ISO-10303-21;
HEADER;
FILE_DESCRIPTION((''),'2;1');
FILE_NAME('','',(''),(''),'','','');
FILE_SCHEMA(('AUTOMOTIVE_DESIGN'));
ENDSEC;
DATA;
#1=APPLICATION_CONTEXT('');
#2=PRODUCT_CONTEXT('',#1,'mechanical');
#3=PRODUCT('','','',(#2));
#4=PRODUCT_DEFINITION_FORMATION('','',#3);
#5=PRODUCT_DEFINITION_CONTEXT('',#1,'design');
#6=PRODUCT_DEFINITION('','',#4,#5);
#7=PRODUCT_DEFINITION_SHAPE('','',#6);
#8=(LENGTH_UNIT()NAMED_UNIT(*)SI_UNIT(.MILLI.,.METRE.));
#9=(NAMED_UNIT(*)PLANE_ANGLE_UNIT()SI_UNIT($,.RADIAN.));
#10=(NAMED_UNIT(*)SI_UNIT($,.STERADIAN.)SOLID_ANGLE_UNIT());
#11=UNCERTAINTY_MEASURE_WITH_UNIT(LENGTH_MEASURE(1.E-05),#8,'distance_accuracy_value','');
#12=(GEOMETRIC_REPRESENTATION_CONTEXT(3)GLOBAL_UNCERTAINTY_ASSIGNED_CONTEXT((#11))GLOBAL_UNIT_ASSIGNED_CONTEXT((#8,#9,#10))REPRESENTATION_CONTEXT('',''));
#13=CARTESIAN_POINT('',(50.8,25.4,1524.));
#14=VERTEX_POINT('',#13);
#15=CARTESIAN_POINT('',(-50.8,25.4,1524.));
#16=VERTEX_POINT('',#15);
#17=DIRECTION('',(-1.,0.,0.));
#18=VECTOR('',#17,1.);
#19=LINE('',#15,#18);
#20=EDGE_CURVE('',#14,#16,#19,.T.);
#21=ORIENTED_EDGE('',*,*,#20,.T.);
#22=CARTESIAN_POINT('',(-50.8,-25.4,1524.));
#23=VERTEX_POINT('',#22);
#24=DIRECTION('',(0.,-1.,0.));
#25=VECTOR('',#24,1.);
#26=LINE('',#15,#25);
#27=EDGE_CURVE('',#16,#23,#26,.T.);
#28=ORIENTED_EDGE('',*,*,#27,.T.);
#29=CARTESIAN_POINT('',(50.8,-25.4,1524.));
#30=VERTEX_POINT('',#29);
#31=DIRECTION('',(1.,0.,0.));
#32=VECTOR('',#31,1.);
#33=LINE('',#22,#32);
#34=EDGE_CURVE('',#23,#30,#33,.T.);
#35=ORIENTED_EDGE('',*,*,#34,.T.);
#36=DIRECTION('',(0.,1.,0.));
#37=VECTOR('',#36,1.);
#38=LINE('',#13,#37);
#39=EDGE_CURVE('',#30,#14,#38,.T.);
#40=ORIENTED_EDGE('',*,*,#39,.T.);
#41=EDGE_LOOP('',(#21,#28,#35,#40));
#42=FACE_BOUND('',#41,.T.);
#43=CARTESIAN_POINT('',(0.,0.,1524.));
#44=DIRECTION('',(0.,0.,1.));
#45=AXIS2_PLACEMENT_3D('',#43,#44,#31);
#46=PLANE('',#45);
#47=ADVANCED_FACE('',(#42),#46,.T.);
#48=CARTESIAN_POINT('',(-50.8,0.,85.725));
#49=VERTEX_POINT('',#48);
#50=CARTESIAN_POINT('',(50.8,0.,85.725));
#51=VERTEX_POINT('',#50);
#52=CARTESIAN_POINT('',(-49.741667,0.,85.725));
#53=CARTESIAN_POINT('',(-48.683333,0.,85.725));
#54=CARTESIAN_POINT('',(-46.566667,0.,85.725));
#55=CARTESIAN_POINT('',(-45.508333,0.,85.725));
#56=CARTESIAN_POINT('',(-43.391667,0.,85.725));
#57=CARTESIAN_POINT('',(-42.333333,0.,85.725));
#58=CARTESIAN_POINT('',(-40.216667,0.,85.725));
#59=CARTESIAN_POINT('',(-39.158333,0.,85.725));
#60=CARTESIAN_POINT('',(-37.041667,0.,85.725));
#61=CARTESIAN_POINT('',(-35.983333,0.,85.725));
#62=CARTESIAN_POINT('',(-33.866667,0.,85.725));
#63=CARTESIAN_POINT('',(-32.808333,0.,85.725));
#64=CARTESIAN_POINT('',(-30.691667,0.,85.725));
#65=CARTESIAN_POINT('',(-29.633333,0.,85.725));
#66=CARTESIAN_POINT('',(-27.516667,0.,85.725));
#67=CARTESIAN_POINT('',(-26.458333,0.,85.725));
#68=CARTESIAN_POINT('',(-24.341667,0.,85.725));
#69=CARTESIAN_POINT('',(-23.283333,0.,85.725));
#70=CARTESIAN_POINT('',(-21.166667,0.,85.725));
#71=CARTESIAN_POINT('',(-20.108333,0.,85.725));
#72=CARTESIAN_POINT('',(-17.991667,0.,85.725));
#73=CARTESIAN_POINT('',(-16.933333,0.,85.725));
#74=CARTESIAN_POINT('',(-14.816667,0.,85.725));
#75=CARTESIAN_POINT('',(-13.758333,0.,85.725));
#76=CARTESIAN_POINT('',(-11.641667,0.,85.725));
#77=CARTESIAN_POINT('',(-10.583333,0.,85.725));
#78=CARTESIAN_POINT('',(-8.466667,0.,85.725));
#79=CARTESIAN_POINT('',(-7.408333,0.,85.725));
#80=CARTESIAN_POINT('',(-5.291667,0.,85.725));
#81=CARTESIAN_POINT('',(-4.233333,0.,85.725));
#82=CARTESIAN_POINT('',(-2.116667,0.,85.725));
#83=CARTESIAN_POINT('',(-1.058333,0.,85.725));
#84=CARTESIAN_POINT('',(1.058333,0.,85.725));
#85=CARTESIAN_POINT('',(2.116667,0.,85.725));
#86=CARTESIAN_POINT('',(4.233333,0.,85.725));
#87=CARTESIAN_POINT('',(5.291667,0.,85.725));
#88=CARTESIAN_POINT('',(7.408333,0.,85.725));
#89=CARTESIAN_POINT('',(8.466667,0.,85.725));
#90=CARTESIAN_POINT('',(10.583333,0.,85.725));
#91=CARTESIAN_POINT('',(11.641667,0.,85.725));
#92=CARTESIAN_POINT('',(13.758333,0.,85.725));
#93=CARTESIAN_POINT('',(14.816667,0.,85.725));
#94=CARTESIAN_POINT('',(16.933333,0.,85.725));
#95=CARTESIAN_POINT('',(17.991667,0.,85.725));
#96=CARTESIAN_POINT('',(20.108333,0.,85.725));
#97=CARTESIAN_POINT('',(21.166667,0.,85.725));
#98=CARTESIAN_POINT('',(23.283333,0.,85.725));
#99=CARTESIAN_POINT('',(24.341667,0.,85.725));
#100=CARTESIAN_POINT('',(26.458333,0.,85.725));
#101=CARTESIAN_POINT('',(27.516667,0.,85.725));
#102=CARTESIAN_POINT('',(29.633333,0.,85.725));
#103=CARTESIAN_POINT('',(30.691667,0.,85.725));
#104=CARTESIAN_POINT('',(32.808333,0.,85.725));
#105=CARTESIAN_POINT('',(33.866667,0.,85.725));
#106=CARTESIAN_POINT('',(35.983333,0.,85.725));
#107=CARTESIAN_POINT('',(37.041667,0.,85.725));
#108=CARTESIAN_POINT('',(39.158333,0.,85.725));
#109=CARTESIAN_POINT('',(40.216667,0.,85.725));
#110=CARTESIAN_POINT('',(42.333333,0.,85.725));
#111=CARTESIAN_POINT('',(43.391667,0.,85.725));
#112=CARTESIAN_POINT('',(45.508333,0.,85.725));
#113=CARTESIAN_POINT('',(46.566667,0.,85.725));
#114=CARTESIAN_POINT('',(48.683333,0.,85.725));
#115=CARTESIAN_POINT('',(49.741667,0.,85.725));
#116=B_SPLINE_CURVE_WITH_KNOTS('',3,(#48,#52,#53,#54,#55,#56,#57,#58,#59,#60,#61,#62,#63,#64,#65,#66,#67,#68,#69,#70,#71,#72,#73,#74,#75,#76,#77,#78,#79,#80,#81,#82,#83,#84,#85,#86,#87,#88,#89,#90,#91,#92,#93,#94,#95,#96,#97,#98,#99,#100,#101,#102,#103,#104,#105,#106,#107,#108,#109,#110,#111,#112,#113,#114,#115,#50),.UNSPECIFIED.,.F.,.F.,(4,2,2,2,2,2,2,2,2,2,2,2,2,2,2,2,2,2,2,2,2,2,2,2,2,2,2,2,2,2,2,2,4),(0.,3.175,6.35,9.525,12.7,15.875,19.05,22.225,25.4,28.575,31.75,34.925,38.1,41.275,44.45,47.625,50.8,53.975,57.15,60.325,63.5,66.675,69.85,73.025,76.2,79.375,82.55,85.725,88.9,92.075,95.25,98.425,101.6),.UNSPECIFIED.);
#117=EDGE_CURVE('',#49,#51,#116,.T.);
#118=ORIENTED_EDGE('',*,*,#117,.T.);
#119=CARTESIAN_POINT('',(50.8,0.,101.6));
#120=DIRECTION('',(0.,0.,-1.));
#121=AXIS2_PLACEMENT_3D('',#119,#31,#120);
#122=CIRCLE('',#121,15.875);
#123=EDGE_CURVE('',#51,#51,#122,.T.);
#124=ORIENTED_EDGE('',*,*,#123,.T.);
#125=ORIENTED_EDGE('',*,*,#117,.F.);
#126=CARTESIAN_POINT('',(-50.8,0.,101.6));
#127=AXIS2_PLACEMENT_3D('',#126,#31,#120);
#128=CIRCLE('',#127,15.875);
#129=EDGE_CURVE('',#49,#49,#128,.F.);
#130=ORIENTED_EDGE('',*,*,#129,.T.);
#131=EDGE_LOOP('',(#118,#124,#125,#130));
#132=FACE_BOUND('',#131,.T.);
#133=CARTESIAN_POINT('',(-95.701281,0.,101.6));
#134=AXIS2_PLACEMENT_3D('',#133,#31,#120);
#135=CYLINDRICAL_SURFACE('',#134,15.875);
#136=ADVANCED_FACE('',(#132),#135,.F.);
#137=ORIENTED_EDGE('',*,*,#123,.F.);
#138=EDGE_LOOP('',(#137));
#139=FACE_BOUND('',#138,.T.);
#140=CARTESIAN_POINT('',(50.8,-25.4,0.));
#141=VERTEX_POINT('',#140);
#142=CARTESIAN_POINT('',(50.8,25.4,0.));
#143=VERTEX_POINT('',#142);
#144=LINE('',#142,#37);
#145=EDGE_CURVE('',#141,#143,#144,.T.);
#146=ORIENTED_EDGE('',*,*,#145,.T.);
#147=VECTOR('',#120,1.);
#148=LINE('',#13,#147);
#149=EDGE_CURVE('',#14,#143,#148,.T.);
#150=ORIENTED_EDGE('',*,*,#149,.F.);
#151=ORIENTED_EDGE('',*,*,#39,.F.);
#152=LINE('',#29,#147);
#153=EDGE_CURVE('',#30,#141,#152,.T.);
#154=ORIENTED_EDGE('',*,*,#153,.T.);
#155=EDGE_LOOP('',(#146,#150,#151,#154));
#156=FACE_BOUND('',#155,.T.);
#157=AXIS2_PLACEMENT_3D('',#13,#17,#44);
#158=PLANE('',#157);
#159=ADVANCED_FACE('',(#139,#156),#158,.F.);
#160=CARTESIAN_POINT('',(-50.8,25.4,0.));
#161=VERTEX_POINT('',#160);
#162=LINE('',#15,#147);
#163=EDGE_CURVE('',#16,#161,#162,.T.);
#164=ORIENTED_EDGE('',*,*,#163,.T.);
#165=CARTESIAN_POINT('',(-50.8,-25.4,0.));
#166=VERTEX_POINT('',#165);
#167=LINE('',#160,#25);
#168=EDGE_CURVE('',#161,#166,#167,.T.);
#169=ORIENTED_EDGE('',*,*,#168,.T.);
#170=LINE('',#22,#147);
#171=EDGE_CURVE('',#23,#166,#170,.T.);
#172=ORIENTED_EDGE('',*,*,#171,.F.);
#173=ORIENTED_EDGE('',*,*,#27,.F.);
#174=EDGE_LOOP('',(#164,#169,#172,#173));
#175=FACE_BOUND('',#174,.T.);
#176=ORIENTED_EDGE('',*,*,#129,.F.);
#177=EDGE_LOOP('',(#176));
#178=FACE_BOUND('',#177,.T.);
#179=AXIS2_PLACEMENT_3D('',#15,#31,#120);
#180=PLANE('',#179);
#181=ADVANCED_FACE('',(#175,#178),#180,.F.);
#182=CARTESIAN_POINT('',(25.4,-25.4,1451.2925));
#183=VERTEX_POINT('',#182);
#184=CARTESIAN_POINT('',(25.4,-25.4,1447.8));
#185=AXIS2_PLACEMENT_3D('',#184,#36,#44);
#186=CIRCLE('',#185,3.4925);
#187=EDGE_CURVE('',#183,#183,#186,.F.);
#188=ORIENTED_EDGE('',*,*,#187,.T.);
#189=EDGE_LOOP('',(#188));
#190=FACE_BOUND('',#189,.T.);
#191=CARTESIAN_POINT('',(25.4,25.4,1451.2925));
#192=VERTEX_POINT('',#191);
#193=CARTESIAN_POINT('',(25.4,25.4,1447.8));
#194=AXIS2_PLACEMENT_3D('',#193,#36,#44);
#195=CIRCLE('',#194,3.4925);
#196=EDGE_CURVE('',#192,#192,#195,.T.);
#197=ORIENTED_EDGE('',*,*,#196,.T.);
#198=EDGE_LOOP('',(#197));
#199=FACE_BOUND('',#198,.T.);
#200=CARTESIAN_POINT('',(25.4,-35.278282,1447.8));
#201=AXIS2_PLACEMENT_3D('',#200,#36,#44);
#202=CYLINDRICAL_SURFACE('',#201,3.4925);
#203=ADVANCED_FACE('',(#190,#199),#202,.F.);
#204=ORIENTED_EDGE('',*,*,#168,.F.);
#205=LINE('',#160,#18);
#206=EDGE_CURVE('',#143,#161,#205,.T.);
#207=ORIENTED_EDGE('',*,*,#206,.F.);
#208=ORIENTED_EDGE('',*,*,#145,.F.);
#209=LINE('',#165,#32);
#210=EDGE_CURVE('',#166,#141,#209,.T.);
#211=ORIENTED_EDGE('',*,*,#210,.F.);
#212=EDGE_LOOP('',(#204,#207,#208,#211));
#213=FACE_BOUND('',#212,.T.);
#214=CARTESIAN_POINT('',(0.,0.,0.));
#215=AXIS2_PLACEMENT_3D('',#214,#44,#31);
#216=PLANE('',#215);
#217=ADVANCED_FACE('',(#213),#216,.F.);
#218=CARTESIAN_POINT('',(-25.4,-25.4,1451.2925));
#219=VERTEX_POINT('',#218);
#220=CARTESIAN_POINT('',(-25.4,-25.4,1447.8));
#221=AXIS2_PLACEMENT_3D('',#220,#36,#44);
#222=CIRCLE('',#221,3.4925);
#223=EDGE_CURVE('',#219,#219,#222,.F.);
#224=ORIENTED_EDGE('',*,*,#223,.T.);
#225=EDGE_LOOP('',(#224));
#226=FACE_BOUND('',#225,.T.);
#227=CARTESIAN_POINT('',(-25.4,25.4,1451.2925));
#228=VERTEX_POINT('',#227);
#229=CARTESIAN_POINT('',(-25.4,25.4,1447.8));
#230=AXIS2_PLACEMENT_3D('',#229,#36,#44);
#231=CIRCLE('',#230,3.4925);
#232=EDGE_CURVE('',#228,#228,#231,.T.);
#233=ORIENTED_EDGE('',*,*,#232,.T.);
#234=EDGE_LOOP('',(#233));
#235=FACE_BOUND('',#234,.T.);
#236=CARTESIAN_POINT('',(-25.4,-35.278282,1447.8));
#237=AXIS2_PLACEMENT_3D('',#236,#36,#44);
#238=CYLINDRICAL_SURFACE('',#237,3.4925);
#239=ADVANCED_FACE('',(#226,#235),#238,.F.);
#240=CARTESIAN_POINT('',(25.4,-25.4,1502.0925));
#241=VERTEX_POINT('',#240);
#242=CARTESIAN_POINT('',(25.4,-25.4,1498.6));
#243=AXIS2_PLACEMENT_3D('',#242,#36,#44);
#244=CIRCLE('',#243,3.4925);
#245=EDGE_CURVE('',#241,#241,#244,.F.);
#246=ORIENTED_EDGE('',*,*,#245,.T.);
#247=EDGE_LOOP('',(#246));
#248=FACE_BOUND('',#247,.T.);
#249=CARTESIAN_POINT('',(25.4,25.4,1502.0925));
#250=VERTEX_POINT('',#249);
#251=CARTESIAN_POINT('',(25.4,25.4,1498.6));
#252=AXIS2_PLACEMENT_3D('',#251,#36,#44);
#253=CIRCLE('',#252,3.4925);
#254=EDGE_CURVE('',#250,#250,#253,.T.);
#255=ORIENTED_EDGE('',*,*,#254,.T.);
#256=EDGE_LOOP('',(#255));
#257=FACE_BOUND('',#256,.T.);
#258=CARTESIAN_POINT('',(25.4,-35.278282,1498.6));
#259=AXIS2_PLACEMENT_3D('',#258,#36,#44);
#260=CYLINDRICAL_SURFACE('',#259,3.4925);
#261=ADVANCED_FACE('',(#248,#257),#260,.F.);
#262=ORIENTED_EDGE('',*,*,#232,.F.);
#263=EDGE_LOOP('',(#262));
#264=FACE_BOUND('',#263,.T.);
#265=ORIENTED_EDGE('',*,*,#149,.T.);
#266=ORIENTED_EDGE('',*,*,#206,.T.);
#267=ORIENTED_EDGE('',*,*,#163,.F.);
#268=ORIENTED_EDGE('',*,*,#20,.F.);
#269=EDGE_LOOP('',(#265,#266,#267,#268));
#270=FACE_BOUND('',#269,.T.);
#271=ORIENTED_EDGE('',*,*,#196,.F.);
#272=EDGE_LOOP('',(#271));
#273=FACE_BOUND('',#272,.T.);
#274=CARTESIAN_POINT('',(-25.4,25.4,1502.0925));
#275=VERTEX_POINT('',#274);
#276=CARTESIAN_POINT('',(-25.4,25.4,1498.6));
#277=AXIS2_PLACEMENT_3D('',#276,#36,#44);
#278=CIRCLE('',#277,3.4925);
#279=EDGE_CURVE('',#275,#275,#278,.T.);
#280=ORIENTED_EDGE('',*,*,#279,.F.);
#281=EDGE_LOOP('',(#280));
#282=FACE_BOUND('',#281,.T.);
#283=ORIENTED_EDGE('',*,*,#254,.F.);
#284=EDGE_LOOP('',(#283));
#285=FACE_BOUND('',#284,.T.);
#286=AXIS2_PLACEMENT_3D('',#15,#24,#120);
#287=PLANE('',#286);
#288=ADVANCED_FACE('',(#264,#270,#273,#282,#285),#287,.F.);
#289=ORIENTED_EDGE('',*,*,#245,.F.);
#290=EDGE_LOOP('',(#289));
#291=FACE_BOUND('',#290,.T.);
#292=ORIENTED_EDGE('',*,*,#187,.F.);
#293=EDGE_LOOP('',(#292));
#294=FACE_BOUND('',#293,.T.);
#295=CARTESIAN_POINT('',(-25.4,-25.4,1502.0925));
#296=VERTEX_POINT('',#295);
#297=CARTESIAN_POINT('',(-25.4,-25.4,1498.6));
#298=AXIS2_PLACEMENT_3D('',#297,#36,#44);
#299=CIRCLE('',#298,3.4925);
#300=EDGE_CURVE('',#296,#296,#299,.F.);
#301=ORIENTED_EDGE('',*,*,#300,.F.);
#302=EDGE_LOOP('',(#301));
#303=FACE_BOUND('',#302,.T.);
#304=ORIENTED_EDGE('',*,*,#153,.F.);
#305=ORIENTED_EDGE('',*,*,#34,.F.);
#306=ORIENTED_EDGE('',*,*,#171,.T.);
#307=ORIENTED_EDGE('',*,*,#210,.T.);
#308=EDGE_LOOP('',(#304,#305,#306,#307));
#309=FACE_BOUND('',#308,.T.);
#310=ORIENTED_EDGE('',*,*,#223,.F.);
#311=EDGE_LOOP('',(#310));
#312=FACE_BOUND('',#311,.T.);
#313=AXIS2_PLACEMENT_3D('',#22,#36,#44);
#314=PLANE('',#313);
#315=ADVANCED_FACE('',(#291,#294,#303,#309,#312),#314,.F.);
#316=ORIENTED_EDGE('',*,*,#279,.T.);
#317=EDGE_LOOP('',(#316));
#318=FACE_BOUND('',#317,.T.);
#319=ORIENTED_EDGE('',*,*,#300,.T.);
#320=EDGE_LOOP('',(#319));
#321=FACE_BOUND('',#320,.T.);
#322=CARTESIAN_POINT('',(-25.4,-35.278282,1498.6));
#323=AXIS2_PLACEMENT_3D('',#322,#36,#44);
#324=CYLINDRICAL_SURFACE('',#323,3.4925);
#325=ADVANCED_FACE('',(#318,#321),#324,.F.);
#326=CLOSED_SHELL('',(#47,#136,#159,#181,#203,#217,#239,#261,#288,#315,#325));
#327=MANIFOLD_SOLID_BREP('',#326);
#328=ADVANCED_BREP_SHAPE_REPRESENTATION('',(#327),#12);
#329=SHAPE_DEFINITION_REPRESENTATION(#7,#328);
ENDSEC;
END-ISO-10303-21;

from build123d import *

# Parameters (mm, degrees)
SKETCH1_W           = 101.6
SKETCH1_H           = 50.8
BOSS_EXTRUDE1_DEPTH = 1524
SKETCH2_R           = 3.4925
CUT_EXTRUDE1_DEPTH  = 50.8
SKETCH3_R           = 15.875
CUT_EXTRUDE2_DEPTH  = 101.6


with BuildPart() as part:
    # Sketch1 → Boss-Extrude1 (new body)
    with BuildSketch(Plane.XY):
        Rectangle(SKETCH1_W, SKETCH1_H)
    extrude(amount=BOSS_EXTRUDE1_DEPTH)

    # Sketch2 → Cut-Extrude1 (cut)
    with BuildSketch(Plane(origin=(0, 25.4, 0), x_dir=(1, 0, 0), z_dir=(0, 1, 0))):
        with Locations(Location((-25.4, -1447.8, 0), (0, 0, 270))):
            Circle(SKETCH2_R)
        with Locations(Location((25.4, -1447.8, 0), (0, 0, 270))):
            Circle(SKETCH2_R)
        with Locations(Location((25.4, -1498.6, 0), (0, 0, 270))):
            Circle(SKETCH2_R)
        with Locations(Location((-25.4, -1498.6, 0), (0, 0, 270))):
            Circle(SKETCH2_R)
    extrude(amount=-CUT_EXTRUDE1_DEPTH, mode=Mode.SUBTRACT)

    # Sketch3 → Cut-Extrude2 (cut)
    with BuildSketch(Plane(origin=(50.8, 0, 0), x_dir=(0, 0, -1), z_dir=(1, 0, 0))):
        with Locations((-101.6, 0)):
            Circle(SKETCH3_R)
    extrude(amount=-CUT_EXTRUDE2_DEPTH, mode=Mode.SUBTRACT)


solid = part.part
